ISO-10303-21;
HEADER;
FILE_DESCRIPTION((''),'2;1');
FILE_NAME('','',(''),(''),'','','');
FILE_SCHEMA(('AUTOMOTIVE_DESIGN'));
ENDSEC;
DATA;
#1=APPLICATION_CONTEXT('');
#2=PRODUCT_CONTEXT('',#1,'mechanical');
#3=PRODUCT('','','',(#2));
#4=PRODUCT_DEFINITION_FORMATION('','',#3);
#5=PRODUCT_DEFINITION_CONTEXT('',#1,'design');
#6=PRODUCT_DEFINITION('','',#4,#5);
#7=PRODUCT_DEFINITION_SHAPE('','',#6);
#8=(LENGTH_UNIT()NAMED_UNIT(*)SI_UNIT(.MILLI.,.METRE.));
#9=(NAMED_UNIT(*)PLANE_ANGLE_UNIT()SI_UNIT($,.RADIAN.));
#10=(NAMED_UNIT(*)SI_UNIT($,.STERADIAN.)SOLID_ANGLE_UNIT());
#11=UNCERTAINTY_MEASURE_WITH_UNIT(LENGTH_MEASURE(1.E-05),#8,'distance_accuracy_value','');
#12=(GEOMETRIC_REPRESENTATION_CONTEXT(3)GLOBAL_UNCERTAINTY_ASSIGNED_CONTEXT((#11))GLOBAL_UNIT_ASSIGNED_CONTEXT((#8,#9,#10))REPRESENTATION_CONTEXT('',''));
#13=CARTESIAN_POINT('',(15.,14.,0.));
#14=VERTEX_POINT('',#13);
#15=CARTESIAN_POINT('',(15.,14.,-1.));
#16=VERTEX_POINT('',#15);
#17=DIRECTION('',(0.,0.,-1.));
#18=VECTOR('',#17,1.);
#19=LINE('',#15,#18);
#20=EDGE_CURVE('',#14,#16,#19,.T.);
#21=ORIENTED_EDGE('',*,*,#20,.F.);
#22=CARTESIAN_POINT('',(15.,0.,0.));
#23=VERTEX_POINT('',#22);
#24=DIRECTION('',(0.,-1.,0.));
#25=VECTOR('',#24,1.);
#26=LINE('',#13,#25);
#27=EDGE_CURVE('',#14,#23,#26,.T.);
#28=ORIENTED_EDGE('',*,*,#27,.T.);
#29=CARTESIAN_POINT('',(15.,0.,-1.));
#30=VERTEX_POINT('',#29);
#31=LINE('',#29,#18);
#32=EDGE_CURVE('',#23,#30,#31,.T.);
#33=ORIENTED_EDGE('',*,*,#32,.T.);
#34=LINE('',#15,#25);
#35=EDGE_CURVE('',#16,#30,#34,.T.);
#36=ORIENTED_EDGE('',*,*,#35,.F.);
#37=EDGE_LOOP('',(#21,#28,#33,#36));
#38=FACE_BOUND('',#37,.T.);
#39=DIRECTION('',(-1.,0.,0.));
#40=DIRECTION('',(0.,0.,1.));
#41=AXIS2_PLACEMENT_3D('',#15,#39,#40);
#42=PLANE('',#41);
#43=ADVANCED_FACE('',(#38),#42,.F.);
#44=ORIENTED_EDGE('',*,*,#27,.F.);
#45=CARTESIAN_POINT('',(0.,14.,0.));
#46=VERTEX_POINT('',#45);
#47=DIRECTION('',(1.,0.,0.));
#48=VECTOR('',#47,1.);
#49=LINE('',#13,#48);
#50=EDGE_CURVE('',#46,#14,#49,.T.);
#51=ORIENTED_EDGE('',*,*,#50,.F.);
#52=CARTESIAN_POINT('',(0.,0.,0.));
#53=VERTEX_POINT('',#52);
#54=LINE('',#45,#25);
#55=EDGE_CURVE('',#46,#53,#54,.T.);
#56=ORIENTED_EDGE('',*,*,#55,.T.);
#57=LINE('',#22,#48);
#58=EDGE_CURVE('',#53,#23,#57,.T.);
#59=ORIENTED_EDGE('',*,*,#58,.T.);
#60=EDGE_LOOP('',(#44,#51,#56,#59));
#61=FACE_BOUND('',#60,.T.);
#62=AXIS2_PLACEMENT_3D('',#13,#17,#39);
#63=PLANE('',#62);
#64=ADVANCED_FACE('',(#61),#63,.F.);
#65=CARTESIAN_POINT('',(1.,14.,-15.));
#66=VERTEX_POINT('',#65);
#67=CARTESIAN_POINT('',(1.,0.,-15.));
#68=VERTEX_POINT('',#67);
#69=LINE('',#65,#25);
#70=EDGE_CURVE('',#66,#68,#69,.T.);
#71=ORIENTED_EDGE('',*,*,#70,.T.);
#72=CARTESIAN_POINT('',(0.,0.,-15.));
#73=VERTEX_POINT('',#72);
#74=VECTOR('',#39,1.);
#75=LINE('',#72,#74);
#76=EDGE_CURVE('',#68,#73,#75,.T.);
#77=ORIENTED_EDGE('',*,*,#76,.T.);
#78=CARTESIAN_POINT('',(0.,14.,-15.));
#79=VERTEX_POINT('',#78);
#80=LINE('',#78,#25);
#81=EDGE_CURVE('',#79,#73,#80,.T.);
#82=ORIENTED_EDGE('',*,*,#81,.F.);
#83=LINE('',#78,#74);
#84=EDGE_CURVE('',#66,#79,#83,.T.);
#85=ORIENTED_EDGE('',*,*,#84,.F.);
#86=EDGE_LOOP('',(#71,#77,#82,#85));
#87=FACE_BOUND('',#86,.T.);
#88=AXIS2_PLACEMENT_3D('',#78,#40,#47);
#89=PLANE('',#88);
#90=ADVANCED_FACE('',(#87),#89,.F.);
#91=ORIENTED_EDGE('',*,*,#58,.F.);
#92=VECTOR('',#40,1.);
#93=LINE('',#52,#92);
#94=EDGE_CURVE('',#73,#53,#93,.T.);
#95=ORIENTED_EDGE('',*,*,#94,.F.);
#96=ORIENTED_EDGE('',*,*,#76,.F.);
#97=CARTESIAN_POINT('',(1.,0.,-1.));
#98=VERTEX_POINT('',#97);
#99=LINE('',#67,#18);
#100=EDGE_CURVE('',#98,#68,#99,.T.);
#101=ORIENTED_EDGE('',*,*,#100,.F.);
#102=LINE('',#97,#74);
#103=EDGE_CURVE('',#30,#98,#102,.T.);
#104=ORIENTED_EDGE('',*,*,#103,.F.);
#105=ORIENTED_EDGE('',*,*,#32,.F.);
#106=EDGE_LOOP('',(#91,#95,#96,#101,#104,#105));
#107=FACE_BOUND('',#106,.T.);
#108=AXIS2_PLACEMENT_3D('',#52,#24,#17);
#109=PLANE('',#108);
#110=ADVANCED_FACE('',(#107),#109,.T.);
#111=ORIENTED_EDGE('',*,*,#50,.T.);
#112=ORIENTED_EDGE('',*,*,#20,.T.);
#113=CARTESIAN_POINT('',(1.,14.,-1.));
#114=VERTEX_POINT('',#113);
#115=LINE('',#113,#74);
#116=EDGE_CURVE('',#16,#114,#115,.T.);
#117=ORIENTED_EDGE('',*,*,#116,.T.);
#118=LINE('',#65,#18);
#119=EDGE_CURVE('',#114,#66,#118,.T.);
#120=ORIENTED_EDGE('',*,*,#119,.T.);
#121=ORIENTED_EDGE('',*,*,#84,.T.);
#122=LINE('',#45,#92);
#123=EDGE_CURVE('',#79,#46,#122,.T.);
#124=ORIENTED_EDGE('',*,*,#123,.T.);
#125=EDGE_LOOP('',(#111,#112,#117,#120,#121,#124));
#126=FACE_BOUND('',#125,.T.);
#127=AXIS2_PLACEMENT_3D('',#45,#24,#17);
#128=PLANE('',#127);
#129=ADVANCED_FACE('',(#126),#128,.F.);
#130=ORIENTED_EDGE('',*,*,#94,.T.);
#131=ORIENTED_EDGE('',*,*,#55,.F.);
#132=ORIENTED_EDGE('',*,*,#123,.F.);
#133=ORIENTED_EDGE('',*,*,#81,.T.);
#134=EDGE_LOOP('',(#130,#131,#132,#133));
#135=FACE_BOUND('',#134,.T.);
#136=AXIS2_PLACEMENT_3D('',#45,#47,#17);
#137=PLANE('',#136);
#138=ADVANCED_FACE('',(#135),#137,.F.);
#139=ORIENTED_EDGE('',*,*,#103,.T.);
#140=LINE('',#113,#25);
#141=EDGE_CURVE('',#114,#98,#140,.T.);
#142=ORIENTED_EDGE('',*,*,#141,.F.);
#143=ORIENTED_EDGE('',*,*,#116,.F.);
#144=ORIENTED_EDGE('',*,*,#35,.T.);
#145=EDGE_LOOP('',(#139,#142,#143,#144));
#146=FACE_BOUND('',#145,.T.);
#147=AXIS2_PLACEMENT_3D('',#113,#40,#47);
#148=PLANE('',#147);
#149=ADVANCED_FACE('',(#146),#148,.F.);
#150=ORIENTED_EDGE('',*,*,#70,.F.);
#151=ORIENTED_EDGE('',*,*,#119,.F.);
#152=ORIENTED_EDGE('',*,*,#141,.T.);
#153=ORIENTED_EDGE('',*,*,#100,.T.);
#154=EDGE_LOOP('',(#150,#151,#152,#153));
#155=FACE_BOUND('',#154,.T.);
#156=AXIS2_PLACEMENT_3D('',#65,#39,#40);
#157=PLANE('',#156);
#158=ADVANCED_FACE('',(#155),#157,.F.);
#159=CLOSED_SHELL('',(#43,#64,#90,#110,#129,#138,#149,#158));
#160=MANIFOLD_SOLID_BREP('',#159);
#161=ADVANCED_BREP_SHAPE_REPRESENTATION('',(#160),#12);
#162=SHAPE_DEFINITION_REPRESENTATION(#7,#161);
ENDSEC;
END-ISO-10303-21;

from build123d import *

# Parameters (mm, degrees)
EXTRUDE_1_DEPTH = 14


with BuildPart() as part:
    # Эскиз1 → Бобышка-Вытянуть1 (new body)
    with BuildSketch(Plane(origin=(0, 0, 0), x_dir=(1, 0, 0), z_dir=(0, 1, 0))):
        Polygon((0, 0), (0, 15), (1, 15), (1, 1), (15, 1), (15, 0), align=None)
    extrude(amount=EXTRUDE_1_DEPTH)


solid = part.part
